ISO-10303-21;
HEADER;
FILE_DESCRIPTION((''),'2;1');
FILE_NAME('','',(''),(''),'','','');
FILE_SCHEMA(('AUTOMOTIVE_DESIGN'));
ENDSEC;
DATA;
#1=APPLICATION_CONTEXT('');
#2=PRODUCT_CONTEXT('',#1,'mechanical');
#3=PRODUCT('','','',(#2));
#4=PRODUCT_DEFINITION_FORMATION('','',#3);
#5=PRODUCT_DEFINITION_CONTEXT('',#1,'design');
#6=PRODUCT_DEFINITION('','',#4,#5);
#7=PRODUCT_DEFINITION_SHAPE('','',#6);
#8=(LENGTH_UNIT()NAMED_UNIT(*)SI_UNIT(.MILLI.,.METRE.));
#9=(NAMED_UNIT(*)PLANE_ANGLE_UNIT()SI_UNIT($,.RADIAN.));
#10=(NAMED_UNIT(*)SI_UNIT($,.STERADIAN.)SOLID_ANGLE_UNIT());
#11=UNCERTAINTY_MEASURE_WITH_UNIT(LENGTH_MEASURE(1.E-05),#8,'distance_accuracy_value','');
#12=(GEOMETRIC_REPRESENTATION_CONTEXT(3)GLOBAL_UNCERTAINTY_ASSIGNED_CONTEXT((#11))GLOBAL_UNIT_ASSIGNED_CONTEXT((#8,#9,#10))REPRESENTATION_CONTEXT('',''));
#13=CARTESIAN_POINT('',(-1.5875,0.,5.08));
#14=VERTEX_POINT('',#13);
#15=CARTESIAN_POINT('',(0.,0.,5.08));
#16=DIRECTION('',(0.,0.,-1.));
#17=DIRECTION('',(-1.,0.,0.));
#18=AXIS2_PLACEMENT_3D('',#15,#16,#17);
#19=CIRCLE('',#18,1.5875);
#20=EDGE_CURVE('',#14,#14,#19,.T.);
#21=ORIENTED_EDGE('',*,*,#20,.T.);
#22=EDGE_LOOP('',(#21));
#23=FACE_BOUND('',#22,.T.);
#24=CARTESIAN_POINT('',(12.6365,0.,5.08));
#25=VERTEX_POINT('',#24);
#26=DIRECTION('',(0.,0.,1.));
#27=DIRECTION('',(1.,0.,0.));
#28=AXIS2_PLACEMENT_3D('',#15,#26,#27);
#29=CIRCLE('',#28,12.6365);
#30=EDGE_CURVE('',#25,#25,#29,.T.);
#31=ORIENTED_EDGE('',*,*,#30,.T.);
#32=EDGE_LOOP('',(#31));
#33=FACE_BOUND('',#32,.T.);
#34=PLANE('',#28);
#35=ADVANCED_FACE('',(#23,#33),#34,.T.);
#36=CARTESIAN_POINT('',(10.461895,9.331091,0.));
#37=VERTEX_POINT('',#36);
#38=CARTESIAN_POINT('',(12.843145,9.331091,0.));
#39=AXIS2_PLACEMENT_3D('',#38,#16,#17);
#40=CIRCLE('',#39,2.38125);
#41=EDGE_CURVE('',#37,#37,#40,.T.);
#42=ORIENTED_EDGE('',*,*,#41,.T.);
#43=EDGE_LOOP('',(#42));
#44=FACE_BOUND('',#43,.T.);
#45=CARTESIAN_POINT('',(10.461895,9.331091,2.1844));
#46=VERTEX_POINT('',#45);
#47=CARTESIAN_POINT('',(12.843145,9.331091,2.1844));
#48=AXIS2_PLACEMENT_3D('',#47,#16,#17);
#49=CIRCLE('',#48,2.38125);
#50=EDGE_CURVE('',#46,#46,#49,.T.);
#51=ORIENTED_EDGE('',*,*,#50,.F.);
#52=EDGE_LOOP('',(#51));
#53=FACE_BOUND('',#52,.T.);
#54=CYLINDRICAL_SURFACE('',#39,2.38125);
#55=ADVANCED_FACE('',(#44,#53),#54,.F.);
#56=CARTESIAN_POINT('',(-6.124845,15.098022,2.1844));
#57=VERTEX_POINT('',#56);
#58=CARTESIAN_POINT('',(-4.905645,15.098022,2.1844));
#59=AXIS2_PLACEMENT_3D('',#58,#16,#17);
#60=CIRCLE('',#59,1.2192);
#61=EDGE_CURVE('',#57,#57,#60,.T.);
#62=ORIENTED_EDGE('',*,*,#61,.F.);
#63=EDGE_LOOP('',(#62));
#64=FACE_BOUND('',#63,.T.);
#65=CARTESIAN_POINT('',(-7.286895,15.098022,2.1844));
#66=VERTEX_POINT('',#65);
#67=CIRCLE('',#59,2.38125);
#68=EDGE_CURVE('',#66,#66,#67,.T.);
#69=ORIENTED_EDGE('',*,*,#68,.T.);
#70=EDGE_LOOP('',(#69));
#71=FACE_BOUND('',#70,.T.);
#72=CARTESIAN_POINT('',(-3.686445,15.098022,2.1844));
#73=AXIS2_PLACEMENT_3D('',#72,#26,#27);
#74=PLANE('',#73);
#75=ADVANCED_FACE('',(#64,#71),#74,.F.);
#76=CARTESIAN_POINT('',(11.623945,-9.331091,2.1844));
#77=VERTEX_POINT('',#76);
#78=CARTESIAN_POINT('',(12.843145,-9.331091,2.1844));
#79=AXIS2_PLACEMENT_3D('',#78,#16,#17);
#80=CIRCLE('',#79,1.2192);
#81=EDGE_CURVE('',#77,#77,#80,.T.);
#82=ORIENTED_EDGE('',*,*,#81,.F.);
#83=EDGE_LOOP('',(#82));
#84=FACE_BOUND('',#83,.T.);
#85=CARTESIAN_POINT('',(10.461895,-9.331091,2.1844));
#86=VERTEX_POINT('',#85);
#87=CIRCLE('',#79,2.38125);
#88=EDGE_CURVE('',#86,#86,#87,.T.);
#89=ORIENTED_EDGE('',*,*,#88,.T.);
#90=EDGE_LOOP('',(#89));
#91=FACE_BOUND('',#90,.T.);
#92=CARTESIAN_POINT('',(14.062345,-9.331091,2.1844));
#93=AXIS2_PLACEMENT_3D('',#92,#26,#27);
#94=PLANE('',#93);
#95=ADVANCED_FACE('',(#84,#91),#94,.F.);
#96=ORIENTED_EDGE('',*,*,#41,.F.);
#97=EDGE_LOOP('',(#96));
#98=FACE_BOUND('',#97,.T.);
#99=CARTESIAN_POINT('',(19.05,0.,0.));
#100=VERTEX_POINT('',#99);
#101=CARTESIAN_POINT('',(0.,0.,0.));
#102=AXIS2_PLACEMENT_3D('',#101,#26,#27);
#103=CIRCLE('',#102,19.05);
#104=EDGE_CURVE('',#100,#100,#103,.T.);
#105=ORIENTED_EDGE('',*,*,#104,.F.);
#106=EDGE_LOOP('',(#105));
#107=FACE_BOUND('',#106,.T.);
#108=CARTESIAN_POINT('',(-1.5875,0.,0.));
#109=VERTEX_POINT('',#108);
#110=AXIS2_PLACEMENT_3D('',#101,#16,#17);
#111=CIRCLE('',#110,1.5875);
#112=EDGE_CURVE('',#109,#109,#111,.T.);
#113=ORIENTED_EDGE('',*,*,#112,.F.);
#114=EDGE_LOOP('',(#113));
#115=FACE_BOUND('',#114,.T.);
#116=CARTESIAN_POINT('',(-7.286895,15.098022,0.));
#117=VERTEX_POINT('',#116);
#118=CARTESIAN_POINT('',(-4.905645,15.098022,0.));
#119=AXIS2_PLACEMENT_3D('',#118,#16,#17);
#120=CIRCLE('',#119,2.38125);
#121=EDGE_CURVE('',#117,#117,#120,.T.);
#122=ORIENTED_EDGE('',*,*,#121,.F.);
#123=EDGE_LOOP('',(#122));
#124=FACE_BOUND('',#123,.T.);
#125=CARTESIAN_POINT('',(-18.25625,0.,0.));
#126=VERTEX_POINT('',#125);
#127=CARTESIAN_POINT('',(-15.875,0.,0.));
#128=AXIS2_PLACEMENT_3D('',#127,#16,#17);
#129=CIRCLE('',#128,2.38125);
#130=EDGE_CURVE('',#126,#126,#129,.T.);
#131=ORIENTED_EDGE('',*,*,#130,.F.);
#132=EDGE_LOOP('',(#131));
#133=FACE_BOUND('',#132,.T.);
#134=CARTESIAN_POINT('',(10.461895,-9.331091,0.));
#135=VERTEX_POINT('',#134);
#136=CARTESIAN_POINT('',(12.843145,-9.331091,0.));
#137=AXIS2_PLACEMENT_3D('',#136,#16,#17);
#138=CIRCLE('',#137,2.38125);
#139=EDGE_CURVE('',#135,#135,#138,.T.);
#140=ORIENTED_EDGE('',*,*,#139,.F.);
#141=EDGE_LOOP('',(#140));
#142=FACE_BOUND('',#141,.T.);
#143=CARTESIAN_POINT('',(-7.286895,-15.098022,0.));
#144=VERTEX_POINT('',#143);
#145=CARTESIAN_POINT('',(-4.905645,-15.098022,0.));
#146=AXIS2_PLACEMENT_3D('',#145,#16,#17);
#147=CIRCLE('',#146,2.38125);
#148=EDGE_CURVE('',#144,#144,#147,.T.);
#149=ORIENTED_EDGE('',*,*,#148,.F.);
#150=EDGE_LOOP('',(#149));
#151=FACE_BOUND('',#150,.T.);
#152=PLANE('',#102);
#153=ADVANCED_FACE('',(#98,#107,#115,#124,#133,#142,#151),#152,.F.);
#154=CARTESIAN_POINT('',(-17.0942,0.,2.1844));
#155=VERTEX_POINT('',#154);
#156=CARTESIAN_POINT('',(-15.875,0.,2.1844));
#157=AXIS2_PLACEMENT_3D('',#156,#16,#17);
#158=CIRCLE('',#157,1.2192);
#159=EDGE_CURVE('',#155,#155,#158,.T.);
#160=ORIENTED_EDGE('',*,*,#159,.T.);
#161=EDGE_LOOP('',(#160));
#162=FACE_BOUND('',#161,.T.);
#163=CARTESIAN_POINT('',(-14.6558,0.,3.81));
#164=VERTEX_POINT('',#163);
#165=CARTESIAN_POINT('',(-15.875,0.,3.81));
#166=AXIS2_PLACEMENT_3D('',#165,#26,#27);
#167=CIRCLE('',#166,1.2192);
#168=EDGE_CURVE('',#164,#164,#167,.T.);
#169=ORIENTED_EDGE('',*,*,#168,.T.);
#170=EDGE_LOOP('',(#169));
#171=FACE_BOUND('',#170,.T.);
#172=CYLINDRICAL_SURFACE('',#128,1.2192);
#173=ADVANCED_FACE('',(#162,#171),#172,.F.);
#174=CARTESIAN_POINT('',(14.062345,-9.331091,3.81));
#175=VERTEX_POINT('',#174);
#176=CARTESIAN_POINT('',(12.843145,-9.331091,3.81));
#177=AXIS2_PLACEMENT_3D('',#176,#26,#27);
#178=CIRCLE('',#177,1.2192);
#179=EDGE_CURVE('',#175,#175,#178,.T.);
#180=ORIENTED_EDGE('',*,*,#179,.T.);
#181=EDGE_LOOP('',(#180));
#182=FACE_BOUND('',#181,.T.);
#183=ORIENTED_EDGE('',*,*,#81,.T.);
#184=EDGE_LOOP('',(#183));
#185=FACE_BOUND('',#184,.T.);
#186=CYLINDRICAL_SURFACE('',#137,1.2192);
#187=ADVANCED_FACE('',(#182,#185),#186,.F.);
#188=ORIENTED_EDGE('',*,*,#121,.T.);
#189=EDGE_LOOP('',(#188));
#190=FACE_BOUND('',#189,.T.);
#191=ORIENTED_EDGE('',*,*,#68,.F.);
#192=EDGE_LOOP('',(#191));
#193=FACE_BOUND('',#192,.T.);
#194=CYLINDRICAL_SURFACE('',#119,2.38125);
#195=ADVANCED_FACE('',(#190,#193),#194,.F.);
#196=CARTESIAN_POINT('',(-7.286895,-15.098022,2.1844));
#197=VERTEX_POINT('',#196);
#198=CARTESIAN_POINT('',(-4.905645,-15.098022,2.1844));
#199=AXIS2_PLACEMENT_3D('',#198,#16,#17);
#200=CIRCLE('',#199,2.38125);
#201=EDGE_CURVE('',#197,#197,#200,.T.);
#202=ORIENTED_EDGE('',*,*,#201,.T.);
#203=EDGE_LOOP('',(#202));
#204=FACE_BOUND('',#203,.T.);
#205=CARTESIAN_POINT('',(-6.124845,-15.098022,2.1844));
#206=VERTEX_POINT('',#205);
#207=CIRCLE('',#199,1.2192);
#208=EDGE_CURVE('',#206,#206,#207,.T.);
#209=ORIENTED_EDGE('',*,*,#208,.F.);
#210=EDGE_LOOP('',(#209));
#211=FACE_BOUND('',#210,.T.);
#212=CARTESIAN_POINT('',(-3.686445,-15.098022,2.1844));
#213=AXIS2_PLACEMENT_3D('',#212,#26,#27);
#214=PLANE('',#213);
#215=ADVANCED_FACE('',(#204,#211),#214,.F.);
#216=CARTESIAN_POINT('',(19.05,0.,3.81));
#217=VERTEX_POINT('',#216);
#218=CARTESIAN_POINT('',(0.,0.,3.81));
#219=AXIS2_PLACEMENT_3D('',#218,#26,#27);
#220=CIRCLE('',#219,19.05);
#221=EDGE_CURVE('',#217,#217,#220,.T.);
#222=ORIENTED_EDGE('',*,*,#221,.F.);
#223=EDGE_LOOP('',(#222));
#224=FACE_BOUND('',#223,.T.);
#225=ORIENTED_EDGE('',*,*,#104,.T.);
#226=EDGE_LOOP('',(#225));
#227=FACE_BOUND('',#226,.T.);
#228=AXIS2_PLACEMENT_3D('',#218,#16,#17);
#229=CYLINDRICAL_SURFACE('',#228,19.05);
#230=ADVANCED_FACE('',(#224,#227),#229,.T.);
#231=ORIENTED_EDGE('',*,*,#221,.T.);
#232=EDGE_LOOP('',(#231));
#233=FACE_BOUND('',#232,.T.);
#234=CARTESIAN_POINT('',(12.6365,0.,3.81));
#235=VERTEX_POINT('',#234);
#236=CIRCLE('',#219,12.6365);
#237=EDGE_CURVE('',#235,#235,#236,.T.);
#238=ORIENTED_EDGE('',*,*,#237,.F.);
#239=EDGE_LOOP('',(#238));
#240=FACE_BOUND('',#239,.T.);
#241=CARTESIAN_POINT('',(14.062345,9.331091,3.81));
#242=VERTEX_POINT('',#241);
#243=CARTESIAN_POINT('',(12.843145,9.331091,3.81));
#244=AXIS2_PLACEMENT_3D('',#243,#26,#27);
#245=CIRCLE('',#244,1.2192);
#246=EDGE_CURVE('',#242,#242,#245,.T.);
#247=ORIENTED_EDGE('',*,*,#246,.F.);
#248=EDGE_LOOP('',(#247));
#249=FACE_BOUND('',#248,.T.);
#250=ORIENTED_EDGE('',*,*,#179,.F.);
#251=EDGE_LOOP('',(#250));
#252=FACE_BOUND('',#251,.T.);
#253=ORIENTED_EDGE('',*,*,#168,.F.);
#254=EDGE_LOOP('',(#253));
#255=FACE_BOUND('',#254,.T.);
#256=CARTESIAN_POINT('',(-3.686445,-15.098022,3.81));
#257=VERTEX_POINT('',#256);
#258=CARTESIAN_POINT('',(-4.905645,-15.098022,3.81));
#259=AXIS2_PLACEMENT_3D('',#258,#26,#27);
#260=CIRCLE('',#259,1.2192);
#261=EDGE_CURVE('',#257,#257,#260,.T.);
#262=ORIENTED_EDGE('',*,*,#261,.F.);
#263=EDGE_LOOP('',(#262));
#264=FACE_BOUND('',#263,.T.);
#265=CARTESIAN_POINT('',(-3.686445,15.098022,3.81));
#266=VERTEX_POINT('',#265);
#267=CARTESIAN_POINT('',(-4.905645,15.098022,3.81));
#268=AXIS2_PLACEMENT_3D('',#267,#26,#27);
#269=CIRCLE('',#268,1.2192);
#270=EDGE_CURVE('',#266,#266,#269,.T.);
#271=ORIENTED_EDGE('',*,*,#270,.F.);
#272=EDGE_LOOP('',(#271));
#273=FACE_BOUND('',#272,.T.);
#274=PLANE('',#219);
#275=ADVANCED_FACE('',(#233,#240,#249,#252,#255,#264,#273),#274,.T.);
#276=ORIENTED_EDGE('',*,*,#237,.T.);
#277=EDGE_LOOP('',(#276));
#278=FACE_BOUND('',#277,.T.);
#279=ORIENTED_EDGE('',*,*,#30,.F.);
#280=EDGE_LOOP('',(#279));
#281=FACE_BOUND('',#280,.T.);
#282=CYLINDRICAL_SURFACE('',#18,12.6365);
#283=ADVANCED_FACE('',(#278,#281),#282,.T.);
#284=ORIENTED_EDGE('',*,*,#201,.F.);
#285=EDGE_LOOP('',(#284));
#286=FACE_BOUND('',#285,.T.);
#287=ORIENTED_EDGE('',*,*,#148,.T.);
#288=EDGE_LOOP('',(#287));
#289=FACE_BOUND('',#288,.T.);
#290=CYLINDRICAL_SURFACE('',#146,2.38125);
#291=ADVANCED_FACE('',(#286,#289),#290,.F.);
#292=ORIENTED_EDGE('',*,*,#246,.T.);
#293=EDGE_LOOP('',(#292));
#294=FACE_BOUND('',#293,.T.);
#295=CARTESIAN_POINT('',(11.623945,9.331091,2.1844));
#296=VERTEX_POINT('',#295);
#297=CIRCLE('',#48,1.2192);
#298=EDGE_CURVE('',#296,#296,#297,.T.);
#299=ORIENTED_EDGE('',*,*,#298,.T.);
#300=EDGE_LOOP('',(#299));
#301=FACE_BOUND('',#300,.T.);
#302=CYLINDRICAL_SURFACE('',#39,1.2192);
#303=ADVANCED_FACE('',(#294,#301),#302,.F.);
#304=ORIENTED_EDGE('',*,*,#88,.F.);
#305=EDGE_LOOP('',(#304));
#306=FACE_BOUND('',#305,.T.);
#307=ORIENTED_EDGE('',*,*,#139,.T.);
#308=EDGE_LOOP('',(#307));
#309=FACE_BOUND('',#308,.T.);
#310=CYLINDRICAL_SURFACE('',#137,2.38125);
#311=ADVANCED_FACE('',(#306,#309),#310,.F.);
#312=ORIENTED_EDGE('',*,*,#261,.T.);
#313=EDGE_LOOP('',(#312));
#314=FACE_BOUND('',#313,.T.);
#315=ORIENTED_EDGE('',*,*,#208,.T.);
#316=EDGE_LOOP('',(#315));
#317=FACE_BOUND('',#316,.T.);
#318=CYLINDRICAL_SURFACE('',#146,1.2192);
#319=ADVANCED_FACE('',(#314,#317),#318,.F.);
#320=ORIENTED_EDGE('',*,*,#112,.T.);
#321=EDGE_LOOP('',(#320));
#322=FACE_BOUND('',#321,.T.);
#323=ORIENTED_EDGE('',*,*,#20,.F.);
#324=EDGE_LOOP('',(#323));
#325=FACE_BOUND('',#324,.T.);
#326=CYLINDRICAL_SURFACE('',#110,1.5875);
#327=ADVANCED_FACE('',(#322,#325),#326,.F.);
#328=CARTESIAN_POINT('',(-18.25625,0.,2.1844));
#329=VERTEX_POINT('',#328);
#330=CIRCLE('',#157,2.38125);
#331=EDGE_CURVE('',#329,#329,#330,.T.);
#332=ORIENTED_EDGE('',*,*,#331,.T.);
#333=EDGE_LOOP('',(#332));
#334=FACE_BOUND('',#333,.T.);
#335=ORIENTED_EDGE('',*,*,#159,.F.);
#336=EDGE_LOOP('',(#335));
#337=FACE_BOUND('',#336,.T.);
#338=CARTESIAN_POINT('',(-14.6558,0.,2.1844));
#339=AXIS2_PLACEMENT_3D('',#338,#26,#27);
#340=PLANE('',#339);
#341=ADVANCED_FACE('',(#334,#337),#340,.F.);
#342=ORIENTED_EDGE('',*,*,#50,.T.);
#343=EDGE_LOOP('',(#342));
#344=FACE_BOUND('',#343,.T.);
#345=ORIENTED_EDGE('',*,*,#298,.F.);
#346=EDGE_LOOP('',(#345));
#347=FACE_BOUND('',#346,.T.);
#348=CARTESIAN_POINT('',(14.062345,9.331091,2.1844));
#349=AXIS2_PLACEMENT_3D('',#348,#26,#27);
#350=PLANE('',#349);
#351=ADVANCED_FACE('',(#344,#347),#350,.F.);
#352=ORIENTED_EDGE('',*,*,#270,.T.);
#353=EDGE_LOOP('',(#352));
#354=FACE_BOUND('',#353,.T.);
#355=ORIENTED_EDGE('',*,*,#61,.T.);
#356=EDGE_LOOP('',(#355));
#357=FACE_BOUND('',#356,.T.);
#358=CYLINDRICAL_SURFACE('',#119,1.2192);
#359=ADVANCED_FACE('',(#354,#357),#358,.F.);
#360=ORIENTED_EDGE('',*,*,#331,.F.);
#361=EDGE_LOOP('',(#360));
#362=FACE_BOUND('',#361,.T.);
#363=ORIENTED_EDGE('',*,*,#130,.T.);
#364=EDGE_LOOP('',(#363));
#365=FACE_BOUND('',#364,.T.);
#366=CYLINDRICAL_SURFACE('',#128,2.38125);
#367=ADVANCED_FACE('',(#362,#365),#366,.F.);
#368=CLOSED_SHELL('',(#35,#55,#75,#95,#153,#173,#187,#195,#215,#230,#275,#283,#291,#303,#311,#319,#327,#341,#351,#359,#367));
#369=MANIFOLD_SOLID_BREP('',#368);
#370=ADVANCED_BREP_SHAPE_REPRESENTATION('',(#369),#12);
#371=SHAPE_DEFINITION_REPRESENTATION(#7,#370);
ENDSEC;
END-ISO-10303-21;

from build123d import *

# Parameters (mm, degrees)
SKETCH1_R                                      = 19.05
BOSS_EXTRUDE1_DEPTH                            = 3.81
SKETCH2_R                                      = 12.6365
BOSS_EXTRUDE2_DEPTH                            = 1.27
CBORE_FOR_2_SOCKET_HEAD_CAP_SCREW1_D           = 2.4384
CBORE_FOR_2_SOCKET_HEAD_CAP_SCREW1_CBORE_D     = 4.7625
CBORE_FOR_2_SOCKET_HEAD_CAP_SCREW1_CBORE_DEPTH = 2.1844
CIRPATTERN1_COUNT                              = 5
F_1_8_0_1250_DOWEL_HOLE1_D                     = 3.175


with BuildPart() as part:
    # Sketch1 → Boss-Extrude1 (new body)
    with BuildSketch(Plane.XY):
        Circle(SKETCH1_R)
    extrude(amount=BOSS_EXTRUDE1_DEPTH)

    # Sketch2 → Boss-Extrude2 (add)
    with BuildSketch(Plane.XY.offset(3.81)):
        Circle(SKETCH2_R)
    extrude(amount=BOSS_EXTRUDE2_DEPTH)

    # CBORE for #2 Socket Head Cap Screw1 (through all)
    with Locations(Plane(origin=(0, 0, 0), x_dir=(-1, 0, 0), z_dir=(0, 0, -1))):
        with Locations((15.875, 0)):
            cbore_for_2_socket_head_cap_screw1 = CounterBoreHole(CBORE_FOR_2_SOCKET_HEAD_CAP_SCREW1_D / 2, CBORE_FOR_2_SOCKET_HEAD_CAP_SCREW1_CBORE_D / 2, CBORE_FOR_2_SOCKET_HEAD_CAP_SCREW1_CBORE_DEPTH)

    # CirPattern1: CBORE for #2 Socket Head Cap Screw1 ×5 about axis
    cirpattern1_axis = Axis((0, 0, 0), (0, 0, -1))
    for i in range(1, CIRPATTERN1_COUNT):
        add(cbore_for_2_socket_head_cap_screw1.rotate(cirpattern1_axis, i * 360 / CIRPATTERN1_COUNT), mode=Mode.SUBTRACT)

    # 1/8 (0.1250) Dowel Hole1 (through all)
    with Locations(Plane(origin=(0, 0, 0), x_dir=(-1, 0, 0), z_dir=(0, 0, -1))):
        with Locations((0, 0)):
            Hole(F_1_8_0_1250_DOWEL_HOLE1_D / 2)


solid = part.part
